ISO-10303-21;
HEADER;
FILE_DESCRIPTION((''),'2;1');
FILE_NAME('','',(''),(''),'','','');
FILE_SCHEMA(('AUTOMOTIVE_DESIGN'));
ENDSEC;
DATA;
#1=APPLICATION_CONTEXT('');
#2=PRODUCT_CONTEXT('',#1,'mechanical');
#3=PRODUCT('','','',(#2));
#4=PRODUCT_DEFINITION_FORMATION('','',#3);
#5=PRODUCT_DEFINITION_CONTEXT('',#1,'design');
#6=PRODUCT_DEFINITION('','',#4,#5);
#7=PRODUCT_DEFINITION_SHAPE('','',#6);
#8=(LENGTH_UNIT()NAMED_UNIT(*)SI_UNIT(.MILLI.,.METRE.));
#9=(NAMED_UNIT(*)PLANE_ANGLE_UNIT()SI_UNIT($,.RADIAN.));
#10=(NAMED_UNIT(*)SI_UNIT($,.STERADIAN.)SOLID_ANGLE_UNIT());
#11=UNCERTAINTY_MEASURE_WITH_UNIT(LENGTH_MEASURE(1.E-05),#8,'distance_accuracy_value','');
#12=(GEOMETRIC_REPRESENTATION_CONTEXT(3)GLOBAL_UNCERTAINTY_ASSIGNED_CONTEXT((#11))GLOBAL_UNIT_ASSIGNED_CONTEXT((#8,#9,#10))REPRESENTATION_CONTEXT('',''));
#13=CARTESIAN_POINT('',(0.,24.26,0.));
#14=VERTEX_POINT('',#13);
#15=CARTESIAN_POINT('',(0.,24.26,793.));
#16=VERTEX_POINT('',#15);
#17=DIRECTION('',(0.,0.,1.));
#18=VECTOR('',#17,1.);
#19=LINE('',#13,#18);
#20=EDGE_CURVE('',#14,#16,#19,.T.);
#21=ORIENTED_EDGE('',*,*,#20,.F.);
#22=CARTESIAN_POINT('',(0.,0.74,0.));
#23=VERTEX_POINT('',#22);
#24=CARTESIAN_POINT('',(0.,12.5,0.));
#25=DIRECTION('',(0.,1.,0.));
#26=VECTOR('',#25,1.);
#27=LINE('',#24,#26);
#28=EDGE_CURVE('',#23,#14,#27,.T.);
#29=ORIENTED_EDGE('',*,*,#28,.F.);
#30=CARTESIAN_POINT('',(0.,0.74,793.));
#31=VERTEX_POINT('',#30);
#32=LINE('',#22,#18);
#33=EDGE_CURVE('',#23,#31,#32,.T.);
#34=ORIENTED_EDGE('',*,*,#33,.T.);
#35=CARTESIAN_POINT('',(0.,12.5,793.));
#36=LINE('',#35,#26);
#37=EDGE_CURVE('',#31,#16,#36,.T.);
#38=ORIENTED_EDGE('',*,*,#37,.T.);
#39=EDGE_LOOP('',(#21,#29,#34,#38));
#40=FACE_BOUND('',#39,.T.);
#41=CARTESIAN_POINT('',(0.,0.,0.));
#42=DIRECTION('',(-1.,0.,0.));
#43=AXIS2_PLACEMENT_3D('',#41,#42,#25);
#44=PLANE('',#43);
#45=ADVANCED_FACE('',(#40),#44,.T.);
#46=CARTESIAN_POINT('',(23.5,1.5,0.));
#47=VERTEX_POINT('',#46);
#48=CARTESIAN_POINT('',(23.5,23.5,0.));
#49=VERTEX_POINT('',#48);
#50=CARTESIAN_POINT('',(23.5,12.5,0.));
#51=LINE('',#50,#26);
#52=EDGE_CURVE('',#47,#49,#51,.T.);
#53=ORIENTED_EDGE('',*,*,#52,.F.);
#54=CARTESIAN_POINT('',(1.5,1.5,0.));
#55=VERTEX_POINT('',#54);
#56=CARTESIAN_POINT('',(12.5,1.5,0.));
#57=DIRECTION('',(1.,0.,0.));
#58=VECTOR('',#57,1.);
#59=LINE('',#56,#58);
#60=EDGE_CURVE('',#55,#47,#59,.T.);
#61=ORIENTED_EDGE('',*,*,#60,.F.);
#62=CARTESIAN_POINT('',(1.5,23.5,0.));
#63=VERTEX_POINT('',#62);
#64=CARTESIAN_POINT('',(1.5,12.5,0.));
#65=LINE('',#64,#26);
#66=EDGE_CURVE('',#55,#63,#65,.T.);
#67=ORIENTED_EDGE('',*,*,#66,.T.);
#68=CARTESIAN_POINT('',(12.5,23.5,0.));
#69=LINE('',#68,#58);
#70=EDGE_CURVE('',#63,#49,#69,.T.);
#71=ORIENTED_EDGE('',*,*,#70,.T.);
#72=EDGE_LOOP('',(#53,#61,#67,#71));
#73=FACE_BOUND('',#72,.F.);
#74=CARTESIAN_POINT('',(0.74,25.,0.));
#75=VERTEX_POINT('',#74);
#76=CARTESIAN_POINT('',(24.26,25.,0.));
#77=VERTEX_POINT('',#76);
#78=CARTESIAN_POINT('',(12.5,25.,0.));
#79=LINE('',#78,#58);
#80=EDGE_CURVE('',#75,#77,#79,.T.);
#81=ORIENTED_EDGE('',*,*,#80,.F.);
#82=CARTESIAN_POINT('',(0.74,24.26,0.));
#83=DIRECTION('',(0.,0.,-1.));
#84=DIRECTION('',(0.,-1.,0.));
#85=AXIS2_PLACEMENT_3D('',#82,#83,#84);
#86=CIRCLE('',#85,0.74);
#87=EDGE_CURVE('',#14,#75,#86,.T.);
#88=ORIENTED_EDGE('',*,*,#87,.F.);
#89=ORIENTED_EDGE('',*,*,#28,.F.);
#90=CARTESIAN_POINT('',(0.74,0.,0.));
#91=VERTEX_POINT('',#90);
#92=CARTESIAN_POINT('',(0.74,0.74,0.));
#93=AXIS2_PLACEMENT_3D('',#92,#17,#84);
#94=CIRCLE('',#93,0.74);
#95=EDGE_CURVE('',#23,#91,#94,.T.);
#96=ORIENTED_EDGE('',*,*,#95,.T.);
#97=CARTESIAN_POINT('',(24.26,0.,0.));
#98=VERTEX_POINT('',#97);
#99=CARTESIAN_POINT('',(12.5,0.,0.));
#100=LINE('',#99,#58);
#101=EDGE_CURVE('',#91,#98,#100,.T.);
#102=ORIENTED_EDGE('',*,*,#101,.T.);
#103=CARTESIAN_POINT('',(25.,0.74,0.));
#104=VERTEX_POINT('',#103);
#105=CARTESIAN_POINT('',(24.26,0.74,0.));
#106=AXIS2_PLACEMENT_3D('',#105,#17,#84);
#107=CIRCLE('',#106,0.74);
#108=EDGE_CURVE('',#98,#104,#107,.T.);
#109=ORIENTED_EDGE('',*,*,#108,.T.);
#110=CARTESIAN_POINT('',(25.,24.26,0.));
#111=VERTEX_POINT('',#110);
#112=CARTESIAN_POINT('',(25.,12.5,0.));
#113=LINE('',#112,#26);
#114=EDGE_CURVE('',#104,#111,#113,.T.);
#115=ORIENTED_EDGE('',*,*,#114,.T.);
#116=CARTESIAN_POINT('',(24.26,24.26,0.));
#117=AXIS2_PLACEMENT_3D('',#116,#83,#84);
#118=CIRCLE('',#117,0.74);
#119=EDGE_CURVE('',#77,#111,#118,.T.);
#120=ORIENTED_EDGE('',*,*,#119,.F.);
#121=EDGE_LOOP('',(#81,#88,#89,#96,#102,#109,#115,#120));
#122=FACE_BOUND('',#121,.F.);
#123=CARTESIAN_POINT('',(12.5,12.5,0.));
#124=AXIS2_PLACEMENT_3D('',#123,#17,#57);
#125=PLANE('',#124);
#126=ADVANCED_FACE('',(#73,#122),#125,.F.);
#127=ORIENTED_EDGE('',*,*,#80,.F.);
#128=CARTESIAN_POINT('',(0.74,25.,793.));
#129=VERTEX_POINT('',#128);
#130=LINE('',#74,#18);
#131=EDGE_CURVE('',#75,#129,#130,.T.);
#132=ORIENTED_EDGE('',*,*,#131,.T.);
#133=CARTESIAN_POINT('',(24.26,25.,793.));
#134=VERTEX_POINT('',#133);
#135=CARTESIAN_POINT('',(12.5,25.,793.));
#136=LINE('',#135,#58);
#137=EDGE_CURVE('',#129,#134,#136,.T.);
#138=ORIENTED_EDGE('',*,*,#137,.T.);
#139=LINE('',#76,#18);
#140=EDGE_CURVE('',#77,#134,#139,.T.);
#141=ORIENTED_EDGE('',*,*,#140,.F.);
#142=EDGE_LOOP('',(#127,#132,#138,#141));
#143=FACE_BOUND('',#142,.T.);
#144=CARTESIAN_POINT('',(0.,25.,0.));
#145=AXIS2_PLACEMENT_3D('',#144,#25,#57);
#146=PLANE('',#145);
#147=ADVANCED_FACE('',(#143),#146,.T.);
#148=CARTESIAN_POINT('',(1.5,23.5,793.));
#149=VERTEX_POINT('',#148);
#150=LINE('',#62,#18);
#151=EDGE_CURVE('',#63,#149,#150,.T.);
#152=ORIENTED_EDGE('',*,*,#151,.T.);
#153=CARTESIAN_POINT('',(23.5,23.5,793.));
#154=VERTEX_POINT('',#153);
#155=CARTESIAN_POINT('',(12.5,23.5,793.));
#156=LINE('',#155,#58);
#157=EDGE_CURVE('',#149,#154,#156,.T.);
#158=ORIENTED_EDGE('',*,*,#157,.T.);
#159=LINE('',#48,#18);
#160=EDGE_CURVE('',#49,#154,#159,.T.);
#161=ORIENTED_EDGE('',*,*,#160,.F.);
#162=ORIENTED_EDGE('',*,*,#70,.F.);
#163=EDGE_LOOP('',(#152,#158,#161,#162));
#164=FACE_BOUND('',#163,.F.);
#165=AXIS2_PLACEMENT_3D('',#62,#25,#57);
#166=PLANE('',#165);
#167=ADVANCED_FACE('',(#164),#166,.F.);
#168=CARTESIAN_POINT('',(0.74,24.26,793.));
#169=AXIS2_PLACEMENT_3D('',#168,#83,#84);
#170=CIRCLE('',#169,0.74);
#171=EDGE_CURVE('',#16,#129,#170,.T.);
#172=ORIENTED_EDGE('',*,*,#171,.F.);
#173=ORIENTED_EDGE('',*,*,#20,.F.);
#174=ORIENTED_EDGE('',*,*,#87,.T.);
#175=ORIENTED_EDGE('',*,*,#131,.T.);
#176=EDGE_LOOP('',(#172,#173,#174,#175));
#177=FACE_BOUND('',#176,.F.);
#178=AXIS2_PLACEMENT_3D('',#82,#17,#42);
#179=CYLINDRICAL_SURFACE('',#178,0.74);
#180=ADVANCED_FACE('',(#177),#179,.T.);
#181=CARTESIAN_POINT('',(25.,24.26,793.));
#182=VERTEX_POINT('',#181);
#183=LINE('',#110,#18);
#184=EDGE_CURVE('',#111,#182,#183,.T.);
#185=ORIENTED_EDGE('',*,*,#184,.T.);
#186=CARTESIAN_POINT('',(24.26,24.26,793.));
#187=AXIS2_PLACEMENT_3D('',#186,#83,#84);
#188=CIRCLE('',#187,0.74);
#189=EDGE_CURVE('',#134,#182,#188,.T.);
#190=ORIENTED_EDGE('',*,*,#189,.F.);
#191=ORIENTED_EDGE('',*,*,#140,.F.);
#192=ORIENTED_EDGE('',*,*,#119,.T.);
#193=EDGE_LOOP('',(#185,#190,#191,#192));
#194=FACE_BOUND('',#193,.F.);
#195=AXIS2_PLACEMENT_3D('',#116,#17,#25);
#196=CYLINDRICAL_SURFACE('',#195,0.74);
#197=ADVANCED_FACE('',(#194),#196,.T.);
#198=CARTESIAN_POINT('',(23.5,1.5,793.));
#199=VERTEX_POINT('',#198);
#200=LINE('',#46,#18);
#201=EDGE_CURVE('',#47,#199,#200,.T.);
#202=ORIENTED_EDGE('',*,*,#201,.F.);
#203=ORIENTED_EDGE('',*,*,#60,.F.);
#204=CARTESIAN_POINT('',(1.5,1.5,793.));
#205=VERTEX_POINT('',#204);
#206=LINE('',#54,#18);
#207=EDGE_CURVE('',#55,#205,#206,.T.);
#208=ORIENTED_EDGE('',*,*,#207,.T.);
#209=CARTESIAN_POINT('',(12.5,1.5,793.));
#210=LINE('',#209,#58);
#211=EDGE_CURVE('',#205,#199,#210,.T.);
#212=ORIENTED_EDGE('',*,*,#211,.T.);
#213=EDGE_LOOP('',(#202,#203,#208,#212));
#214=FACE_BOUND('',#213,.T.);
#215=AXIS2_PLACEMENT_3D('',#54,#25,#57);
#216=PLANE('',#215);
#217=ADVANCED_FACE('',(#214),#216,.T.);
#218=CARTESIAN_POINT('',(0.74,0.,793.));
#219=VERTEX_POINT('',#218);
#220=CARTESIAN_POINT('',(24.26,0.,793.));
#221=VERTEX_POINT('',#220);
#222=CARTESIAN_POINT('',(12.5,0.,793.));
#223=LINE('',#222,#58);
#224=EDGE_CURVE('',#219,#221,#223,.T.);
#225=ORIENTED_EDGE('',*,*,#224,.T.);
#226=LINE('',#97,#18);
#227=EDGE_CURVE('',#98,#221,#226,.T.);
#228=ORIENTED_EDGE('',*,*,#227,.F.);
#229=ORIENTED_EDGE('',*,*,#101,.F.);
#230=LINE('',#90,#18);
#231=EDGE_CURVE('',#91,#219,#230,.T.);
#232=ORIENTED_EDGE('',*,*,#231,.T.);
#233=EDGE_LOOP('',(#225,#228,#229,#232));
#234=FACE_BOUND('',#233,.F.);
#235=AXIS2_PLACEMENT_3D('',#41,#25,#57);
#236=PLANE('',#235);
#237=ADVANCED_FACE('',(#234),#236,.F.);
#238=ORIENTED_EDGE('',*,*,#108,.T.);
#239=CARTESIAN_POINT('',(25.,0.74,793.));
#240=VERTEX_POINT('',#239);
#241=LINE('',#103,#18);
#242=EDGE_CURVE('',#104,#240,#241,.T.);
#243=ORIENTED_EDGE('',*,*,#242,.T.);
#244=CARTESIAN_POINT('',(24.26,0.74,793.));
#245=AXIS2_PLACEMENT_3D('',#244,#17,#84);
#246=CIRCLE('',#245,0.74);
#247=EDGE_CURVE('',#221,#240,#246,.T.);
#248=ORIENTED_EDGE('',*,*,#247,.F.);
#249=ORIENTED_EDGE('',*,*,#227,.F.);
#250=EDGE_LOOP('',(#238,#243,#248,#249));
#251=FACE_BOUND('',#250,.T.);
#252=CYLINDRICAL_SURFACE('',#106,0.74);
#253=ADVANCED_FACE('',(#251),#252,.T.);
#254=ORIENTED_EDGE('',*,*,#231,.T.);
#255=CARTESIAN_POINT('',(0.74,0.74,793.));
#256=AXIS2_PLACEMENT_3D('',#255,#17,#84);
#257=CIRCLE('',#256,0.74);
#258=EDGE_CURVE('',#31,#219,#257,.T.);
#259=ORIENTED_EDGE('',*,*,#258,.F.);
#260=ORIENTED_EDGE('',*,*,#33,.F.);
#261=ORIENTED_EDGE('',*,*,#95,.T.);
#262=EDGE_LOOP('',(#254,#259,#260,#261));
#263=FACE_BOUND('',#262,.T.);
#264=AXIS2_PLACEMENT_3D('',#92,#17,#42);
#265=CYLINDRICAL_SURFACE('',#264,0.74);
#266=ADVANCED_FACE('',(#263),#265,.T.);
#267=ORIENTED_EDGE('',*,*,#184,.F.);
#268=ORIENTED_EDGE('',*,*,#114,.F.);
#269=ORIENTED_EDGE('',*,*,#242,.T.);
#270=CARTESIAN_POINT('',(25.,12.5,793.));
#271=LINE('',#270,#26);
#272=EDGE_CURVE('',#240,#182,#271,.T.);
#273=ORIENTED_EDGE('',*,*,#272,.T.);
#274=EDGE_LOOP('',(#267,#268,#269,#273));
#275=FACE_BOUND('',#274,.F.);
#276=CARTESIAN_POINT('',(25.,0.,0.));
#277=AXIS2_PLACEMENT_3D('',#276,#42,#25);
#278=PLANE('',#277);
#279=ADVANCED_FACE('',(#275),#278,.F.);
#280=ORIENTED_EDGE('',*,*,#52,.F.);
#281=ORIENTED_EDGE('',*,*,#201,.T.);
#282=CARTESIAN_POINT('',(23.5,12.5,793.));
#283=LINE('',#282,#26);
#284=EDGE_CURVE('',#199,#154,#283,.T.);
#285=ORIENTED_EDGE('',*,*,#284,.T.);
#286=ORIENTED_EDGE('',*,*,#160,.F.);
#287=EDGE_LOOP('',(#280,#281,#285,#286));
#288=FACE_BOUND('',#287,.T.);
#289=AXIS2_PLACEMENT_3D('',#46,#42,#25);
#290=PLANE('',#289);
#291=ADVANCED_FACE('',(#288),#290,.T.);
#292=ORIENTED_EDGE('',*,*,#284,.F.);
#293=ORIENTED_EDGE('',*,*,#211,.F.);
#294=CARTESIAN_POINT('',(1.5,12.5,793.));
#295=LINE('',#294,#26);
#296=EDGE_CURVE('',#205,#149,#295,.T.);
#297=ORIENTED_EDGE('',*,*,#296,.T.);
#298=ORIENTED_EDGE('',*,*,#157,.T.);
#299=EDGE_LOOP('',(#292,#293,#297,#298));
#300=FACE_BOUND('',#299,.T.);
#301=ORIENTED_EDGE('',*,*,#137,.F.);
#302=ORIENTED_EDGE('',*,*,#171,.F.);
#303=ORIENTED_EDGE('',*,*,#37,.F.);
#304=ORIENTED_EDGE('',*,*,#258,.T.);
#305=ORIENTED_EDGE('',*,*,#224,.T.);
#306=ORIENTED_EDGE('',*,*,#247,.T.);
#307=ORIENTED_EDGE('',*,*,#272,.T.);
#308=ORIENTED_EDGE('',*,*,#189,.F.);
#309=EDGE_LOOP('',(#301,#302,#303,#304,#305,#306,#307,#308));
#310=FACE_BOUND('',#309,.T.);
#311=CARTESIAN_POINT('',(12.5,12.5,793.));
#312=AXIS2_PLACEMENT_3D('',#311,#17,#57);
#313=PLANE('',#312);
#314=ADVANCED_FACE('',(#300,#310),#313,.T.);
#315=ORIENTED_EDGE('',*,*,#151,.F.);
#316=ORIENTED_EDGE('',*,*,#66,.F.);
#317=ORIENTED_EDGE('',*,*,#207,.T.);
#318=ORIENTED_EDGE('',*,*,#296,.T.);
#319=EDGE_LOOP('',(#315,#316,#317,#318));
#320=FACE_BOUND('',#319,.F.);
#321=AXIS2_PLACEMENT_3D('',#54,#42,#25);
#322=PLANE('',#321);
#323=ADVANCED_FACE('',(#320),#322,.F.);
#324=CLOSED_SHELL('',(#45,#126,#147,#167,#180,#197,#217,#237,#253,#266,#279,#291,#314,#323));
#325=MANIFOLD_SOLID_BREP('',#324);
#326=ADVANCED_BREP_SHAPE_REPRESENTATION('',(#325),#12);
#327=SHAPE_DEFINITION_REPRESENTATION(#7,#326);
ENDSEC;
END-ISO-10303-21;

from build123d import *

# Parameters (mm, degrees)
SKETCH_W   = 25
SKETCH_H   = 25
SKETCH_W_2 = 22
SKETCH_H_2 = 22
PAD_DEPTH  = 793
FILLET_R   = 0.74


with BuildPart() as part:
    # Sketch → Pad (new body)
    with BuildSketch(Plane.XY):
        with Locations((12.5, 12.5)):
            Rectangle(SKETCH_W, SKETCH_H)
        with Locations((12.5, 12.5)):
            Rectangle(SKETCH_W_2, SKETCH_H_2, mode=Mode.SUBTRACT)
    extrude(amount=PAD_DEPTH)

    # Fillet
    fillet_edges = [part.edges().sort_by_distance(p)[0] for p in [
        (25, 0, 396.5),
        (0, 0, 396.5),
        (25, 25, 396.5),
        (0, 25, 396.5),
    ]]
    fillet(fillet_edges, radius=FILLET_R)


solid = part.part
